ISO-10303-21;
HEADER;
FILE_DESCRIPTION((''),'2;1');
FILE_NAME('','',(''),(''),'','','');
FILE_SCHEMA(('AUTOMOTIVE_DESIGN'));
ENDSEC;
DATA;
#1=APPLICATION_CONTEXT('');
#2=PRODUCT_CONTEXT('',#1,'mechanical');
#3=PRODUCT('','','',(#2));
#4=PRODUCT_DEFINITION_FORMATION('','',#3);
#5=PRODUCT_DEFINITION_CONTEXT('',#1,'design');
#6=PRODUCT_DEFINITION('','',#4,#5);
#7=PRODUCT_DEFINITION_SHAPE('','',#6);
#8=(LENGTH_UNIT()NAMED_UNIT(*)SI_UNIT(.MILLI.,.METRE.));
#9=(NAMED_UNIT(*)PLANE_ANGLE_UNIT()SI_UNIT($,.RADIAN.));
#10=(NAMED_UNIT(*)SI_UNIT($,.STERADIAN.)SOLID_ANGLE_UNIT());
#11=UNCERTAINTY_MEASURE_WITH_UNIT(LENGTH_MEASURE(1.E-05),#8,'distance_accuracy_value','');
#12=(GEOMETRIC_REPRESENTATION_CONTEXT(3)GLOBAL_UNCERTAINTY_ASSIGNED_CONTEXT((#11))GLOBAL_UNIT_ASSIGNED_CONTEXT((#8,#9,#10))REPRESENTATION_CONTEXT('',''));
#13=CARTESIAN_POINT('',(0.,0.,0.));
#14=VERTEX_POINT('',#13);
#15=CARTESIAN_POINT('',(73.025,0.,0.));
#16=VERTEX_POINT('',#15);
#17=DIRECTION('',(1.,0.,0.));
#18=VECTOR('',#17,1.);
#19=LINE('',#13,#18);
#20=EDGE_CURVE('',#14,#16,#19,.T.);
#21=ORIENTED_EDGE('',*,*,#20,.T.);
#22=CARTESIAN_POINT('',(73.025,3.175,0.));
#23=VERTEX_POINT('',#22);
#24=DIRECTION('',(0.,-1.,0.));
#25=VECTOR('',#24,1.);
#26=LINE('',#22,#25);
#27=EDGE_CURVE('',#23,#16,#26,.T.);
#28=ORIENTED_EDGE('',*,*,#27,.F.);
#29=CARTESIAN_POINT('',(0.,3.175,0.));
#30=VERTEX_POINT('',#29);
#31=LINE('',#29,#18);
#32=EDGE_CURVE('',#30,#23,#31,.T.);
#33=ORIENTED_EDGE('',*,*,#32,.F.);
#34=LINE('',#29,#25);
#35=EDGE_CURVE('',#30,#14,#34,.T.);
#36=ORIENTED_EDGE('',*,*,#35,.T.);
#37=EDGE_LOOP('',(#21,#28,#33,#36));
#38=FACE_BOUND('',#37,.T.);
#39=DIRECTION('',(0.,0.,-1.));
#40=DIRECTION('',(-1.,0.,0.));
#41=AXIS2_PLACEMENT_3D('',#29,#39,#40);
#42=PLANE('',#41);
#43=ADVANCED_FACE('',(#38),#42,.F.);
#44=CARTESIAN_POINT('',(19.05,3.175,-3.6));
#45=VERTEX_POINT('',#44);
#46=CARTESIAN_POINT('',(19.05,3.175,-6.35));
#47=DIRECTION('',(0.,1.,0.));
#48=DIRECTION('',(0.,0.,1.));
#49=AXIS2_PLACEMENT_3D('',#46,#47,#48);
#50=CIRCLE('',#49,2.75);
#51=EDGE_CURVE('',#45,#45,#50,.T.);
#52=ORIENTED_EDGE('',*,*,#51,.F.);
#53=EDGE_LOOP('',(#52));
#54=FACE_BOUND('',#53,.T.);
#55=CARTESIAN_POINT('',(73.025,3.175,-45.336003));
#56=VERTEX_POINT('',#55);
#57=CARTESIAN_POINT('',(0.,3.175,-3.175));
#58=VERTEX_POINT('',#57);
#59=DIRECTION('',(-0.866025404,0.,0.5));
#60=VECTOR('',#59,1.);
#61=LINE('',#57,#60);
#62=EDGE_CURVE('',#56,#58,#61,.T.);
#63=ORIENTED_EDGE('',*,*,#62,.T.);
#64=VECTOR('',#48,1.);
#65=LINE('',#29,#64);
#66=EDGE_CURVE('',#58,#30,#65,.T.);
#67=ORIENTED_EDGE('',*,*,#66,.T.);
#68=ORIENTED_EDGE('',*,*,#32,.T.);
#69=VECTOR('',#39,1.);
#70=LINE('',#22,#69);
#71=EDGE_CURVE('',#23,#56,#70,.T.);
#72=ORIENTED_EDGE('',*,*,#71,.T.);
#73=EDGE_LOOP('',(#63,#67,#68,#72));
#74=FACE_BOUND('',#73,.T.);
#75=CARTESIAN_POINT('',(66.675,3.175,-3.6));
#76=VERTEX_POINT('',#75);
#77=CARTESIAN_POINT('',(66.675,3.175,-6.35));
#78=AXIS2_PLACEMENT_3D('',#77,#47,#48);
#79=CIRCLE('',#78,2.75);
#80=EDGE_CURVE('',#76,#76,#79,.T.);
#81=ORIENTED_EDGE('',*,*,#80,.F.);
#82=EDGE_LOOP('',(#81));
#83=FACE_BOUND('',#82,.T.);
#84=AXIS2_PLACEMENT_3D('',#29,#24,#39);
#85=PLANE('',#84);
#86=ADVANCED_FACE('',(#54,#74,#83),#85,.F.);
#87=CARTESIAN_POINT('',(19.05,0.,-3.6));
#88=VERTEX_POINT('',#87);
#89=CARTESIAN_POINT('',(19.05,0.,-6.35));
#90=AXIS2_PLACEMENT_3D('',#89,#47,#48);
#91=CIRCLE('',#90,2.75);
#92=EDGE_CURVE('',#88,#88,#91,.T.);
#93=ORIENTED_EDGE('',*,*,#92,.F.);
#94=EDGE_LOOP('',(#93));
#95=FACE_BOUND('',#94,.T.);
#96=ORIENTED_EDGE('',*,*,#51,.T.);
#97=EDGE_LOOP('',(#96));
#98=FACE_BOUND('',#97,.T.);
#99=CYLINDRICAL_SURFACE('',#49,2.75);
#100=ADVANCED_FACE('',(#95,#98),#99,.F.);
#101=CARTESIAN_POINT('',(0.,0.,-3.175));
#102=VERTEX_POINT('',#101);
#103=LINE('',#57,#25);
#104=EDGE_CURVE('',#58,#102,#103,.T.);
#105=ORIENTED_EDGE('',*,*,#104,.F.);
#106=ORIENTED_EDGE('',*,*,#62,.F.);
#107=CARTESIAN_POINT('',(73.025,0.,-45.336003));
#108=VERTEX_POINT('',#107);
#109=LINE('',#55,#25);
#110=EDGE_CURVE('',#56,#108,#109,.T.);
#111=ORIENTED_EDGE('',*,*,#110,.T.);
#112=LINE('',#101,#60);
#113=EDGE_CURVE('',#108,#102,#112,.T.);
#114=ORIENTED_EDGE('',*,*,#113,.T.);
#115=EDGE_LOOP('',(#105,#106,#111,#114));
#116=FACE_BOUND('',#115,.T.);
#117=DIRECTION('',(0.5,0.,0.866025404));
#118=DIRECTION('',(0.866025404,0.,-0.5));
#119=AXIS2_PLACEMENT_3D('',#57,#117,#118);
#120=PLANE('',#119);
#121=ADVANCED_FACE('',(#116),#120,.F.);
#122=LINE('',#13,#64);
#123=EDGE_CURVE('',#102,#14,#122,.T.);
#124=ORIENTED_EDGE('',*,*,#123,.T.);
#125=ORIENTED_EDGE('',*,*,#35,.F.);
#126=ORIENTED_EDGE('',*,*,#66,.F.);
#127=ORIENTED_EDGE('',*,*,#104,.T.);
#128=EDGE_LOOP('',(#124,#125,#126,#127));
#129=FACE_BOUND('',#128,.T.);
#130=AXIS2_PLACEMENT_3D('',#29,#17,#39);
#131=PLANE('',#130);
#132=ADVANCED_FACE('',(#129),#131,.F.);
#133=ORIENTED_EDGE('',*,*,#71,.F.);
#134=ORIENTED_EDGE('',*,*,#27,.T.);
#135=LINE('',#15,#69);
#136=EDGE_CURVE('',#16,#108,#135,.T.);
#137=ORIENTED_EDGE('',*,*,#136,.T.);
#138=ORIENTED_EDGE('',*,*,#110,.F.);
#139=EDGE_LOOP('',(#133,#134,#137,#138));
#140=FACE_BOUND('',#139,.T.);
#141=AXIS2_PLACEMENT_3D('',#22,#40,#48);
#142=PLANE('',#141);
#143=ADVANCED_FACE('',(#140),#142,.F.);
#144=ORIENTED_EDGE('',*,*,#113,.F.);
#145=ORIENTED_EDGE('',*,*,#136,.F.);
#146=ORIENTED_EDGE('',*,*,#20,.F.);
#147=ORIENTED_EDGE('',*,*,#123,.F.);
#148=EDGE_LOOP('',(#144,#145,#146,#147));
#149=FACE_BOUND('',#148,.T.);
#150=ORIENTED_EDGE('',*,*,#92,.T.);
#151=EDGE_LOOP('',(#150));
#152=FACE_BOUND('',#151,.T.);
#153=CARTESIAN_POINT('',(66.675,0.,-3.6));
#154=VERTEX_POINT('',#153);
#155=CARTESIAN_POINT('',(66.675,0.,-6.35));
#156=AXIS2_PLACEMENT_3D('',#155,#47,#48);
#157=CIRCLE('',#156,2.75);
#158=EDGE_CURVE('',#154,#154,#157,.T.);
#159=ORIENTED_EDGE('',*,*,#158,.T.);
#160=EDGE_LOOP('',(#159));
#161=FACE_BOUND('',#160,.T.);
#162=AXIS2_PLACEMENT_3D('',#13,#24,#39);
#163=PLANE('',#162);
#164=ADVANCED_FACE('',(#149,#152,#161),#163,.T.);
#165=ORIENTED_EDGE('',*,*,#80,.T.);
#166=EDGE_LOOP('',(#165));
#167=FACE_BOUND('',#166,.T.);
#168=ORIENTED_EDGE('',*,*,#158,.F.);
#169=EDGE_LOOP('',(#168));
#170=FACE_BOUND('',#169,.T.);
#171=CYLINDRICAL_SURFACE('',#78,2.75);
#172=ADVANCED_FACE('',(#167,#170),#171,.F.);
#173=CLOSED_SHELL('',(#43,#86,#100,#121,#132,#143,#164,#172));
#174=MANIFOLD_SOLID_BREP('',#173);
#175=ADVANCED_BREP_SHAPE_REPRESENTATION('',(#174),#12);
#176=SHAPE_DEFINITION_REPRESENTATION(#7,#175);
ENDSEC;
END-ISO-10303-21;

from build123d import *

# Parameters (mm, degrees)
BOSS_EXTRUDE1_DEPTH  = 3.175
M5_CLEARANCE_HOLE1_D = 5.5


with BuildPart() as part:
    # Sketch1 → Boss-Extrude1 (new body)
    with BuildSketch(Plane(origin=(0, 0, 0), x_dir=(1, 0, 0), z_dir=(0, 1, 0))):
        Polygon((0, 0), (73.025, 0), (73.025, 45.336003408), (0, 3.175), align=None)
    extrude(amount=BOSS_EXTRUDE1_DEPTH)

    # M5 Clearance Hole1 (through all)
    with Locations(Plane(origin=(0, 3.175, 0), x_dir=(1, 0, 0), z_dir=(0, 1, 0))):
        with Locations((19.05, 6.35), (66.675, 6.35)):
            Hole(M5_CLEARANCE_HOLE1_D / 2)


solid = part.part
